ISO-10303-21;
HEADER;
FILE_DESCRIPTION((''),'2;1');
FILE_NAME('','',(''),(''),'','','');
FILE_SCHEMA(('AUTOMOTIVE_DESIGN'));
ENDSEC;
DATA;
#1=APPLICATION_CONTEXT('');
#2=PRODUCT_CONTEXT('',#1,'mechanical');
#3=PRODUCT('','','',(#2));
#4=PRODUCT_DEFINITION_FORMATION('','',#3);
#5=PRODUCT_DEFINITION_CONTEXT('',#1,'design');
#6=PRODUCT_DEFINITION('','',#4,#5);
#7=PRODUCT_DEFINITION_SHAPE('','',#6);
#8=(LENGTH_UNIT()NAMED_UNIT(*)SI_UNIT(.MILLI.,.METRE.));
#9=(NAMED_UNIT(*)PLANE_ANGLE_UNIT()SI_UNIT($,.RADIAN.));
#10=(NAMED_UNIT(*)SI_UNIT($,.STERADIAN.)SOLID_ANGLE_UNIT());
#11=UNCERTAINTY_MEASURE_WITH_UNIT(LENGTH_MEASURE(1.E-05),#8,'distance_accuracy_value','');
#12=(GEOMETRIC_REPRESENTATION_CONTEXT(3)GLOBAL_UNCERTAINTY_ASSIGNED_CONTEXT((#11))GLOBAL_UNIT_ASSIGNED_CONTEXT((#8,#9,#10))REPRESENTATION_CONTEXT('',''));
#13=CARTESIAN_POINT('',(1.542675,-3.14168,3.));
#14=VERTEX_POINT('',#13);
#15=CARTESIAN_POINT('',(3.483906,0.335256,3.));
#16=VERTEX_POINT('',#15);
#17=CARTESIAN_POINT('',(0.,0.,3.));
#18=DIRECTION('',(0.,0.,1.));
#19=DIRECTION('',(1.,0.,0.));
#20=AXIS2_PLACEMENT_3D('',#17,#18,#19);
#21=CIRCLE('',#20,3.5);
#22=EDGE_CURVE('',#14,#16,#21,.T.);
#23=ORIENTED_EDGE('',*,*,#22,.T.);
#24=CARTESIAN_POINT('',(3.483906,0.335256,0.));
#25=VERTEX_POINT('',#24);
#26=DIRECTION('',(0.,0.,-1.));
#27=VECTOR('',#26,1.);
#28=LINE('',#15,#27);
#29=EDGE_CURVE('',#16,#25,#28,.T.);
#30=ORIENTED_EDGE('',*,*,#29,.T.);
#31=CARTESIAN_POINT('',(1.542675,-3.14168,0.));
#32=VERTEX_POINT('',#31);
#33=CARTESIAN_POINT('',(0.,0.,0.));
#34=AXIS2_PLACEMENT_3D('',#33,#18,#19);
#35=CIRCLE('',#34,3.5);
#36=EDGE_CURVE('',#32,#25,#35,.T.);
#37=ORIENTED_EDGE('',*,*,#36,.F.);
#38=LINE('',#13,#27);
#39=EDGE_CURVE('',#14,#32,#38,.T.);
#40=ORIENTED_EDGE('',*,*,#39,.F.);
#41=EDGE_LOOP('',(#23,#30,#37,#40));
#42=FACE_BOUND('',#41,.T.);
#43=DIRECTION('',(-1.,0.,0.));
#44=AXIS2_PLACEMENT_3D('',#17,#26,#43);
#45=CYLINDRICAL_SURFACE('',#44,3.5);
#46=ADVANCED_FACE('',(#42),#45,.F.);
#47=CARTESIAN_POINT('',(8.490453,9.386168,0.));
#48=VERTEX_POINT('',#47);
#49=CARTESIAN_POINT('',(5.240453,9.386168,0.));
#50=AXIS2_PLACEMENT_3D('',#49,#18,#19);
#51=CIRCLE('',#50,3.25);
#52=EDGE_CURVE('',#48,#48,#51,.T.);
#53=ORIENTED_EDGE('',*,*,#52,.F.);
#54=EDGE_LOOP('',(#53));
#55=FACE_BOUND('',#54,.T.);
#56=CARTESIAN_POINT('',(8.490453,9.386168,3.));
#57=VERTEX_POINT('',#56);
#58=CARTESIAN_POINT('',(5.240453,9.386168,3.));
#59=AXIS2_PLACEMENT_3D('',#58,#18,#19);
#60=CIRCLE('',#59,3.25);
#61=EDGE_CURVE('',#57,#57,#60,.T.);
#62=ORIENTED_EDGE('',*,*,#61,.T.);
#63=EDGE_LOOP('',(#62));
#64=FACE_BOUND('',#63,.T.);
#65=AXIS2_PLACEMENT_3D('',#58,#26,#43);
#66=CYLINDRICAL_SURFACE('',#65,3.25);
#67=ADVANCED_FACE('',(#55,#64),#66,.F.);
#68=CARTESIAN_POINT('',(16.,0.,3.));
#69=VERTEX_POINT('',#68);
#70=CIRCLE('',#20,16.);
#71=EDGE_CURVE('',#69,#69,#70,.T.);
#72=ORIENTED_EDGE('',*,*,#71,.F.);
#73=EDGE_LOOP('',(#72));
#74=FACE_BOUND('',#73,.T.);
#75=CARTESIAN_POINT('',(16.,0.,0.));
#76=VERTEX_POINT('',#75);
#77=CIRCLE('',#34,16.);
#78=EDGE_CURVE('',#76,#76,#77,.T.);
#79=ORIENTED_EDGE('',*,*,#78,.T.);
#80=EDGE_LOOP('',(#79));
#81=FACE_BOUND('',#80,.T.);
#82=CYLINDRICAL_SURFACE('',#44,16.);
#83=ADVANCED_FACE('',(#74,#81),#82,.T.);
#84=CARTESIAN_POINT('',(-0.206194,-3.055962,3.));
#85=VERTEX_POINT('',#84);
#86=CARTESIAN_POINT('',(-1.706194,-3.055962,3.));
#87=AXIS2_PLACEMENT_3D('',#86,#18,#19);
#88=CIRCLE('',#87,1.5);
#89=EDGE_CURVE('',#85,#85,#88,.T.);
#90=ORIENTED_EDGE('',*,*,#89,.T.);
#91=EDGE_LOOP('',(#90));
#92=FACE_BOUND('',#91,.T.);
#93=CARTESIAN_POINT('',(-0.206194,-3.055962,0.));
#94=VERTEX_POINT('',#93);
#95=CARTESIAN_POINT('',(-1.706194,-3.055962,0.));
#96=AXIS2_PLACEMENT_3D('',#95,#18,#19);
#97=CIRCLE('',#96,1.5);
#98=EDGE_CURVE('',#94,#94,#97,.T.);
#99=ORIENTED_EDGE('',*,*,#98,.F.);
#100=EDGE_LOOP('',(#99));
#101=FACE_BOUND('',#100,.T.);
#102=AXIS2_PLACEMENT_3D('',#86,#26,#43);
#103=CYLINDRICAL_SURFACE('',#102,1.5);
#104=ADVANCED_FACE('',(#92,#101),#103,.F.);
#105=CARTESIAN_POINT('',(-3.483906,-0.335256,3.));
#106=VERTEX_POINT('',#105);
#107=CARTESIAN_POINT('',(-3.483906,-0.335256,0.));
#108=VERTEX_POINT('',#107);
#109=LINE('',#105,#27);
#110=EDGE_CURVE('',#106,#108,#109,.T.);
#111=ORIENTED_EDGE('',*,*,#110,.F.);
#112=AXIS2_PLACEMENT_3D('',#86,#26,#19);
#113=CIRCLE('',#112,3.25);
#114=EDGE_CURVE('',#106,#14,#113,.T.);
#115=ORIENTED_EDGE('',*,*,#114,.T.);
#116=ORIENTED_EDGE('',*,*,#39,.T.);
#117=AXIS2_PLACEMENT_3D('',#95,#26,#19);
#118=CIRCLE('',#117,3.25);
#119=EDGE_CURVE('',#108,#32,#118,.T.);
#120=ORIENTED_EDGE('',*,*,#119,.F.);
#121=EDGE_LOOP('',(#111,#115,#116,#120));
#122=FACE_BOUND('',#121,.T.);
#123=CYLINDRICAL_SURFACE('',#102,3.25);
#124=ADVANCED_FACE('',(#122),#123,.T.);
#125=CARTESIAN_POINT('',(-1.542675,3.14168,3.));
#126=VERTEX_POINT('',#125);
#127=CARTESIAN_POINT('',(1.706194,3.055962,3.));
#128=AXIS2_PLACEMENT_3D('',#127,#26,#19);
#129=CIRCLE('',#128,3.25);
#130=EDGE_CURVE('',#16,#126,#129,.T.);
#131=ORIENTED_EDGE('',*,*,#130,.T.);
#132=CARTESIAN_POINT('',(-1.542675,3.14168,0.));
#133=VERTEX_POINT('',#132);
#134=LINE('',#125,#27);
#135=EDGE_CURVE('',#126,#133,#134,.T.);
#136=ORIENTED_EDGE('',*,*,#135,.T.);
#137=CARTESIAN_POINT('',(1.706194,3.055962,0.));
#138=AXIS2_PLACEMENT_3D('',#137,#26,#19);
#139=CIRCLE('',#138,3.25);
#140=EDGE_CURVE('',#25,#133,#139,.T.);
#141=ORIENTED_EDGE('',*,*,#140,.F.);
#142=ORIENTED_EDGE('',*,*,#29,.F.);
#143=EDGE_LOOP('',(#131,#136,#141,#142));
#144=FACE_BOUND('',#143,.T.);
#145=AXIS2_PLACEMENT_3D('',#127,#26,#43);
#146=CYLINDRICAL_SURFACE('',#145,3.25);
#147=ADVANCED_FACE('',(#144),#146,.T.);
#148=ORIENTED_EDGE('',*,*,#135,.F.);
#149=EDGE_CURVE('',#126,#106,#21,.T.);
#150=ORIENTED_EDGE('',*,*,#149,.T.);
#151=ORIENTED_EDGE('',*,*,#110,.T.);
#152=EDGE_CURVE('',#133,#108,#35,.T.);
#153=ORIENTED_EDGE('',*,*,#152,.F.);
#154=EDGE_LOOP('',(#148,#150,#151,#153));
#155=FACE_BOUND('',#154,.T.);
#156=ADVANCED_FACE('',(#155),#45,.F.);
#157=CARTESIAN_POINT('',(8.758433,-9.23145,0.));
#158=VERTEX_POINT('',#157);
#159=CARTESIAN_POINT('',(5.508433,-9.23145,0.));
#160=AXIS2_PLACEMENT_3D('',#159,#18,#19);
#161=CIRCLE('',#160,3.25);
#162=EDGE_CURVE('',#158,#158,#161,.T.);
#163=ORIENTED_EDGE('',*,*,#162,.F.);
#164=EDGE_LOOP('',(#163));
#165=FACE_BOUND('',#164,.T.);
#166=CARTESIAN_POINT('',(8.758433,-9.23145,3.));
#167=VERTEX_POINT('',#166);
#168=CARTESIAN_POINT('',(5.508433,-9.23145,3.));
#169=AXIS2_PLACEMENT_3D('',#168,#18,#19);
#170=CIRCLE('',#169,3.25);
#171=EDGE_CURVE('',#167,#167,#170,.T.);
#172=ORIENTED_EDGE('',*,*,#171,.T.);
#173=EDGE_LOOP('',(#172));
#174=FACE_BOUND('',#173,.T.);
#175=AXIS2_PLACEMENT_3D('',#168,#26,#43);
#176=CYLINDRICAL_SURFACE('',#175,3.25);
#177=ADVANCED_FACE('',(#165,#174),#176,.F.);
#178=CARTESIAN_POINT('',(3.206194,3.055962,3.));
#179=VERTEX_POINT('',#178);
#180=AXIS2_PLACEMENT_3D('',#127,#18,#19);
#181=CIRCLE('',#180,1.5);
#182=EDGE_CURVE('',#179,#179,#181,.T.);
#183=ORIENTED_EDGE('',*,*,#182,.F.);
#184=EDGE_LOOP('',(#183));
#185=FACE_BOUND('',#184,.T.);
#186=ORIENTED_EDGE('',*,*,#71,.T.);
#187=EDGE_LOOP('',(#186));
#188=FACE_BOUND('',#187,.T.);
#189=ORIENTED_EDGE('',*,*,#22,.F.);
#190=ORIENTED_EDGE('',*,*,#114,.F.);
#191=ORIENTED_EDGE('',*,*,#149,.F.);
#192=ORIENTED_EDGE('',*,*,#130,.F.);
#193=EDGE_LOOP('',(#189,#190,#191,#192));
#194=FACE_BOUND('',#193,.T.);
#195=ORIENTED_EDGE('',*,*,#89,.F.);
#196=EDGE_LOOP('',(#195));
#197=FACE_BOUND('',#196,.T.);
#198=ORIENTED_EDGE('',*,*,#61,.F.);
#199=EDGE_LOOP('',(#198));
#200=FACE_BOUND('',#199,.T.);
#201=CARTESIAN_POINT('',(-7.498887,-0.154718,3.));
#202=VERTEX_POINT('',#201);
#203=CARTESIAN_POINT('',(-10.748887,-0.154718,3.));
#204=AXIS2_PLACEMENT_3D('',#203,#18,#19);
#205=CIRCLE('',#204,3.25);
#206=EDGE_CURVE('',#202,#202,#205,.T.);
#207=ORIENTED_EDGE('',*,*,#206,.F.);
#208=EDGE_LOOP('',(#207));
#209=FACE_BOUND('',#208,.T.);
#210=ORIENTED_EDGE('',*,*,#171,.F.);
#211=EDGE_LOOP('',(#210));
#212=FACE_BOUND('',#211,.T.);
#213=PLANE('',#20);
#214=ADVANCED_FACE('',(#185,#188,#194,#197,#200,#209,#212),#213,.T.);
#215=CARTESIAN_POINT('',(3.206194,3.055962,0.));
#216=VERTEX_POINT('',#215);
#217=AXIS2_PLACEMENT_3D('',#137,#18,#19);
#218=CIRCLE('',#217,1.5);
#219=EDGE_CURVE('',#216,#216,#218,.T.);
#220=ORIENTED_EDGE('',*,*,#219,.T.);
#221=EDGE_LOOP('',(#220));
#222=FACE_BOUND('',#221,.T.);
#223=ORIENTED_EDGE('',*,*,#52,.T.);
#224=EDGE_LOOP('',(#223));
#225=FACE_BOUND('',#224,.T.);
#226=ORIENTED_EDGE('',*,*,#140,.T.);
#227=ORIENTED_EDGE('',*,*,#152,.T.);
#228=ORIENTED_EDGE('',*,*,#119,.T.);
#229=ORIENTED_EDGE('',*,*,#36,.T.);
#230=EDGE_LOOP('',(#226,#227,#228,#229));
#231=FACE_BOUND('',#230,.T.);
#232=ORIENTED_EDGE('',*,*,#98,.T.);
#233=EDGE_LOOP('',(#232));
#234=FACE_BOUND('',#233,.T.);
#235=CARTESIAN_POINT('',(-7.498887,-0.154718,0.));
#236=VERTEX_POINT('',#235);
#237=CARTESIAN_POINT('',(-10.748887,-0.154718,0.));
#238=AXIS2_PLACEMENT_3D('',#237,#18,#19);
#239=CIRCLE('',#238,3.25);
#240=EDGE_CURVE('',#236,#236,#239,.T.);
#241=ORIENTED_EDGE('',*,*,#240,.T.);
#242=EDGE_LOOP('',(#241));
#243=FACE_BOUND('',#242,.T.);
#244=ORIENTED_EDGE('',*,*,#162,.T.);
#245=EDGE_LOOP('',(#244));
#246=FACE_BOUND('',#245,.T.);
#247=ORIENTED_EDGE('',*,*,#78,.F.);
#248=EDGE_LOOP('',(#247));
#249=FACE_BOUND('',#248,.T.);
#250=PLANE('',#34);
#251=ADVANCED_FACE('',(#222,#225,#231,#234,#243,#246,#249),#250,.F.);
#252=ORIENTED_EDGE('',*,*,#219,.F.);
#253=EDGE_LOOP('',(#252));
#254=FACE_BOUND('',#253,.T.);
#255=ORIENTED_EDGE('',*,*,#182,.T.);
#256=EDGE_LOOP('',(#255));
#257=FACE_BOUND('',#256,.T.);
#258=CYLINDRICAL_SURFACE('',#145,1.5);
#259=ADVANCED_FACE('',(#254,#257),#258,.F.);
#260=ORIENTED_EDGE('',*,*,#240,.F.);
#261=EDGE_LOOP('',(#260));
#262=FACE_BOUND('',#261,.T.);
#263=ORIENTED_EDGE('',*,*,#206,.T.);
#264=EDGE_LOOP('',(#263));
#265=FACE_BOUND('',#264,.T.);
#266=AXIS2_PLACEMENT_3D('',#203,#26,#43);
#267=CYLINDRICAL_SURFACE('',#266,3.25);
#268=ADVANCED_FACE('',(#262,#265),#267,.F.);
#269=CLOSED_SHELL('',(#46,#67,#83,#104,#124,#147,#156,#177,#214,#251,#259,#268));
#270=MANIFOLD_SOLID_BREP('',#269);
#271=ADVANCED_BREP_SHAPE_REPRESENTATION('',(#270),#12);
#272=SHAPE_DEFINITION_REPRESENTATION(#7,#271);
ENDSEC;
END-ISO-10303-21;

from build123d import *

# Parameters (mm, degrees)
ESQUISSE1_R        = 16
ESQUISSE1_R_2      = 3.25
ESQUISSE1_R_3      = 1.5
BOSS_EXTRU_1_DEPTH = 3


with BuildPart() as part:
    # Esquisse1 → Boss.-Extru.1 (new body)
    with BuildSketch(Plane.XY):
        Circle(ESQUISSE1_R)
        with Locations((5.508433282, -9.231449657)):
            Circle(ESQUISSE1_R_2, mode=Mode.SUBTRACT)
        with Locations((-10.748886558, -0.154718329)):
            Circle(ESQUISSE1_R_2, mode=Mode.SUBTRACT)
        with Locations((5.240453276, 9.386167986)):
            Circle(ESQUISSE1_R_2, mode=Mode.SUBTRACT)
        with Locations((1.70619409, 3.05596167)):
            Circle(ESQUISSE1_R_3, mode=Mode.SUBTRACT)
        with Locations((-1.70619409, -3.05596167)):
            Circle(ESQUISSE1_R_3, mode=Mode.SUBTRACT)
        with BuildLine():
            ThreePointArc((-1.54267531, 3.141679947), (0.121871006, 0.218282976), (3.483906341, 0.335256035))
            ThreePointArc((3.483906341, 0.335256035), (3.05596167, -1.70619409), (1.54267531, -3.141679947))
            ThreePointArc((1.54267531, -3.141679947), (-0.121871006, -0.218282976), (-3.483906341, -0.335256035))
            ThreePointArc((-3.483906341, -0.335256035), (-3.05596167, 1.70619409), (-1.54267531, 3.141679947))
        make_face(mode=Mode.SUBTRACT)
    extrude(amount=BOSS_EXTRU_1_DEPTH)


solid = part.part
